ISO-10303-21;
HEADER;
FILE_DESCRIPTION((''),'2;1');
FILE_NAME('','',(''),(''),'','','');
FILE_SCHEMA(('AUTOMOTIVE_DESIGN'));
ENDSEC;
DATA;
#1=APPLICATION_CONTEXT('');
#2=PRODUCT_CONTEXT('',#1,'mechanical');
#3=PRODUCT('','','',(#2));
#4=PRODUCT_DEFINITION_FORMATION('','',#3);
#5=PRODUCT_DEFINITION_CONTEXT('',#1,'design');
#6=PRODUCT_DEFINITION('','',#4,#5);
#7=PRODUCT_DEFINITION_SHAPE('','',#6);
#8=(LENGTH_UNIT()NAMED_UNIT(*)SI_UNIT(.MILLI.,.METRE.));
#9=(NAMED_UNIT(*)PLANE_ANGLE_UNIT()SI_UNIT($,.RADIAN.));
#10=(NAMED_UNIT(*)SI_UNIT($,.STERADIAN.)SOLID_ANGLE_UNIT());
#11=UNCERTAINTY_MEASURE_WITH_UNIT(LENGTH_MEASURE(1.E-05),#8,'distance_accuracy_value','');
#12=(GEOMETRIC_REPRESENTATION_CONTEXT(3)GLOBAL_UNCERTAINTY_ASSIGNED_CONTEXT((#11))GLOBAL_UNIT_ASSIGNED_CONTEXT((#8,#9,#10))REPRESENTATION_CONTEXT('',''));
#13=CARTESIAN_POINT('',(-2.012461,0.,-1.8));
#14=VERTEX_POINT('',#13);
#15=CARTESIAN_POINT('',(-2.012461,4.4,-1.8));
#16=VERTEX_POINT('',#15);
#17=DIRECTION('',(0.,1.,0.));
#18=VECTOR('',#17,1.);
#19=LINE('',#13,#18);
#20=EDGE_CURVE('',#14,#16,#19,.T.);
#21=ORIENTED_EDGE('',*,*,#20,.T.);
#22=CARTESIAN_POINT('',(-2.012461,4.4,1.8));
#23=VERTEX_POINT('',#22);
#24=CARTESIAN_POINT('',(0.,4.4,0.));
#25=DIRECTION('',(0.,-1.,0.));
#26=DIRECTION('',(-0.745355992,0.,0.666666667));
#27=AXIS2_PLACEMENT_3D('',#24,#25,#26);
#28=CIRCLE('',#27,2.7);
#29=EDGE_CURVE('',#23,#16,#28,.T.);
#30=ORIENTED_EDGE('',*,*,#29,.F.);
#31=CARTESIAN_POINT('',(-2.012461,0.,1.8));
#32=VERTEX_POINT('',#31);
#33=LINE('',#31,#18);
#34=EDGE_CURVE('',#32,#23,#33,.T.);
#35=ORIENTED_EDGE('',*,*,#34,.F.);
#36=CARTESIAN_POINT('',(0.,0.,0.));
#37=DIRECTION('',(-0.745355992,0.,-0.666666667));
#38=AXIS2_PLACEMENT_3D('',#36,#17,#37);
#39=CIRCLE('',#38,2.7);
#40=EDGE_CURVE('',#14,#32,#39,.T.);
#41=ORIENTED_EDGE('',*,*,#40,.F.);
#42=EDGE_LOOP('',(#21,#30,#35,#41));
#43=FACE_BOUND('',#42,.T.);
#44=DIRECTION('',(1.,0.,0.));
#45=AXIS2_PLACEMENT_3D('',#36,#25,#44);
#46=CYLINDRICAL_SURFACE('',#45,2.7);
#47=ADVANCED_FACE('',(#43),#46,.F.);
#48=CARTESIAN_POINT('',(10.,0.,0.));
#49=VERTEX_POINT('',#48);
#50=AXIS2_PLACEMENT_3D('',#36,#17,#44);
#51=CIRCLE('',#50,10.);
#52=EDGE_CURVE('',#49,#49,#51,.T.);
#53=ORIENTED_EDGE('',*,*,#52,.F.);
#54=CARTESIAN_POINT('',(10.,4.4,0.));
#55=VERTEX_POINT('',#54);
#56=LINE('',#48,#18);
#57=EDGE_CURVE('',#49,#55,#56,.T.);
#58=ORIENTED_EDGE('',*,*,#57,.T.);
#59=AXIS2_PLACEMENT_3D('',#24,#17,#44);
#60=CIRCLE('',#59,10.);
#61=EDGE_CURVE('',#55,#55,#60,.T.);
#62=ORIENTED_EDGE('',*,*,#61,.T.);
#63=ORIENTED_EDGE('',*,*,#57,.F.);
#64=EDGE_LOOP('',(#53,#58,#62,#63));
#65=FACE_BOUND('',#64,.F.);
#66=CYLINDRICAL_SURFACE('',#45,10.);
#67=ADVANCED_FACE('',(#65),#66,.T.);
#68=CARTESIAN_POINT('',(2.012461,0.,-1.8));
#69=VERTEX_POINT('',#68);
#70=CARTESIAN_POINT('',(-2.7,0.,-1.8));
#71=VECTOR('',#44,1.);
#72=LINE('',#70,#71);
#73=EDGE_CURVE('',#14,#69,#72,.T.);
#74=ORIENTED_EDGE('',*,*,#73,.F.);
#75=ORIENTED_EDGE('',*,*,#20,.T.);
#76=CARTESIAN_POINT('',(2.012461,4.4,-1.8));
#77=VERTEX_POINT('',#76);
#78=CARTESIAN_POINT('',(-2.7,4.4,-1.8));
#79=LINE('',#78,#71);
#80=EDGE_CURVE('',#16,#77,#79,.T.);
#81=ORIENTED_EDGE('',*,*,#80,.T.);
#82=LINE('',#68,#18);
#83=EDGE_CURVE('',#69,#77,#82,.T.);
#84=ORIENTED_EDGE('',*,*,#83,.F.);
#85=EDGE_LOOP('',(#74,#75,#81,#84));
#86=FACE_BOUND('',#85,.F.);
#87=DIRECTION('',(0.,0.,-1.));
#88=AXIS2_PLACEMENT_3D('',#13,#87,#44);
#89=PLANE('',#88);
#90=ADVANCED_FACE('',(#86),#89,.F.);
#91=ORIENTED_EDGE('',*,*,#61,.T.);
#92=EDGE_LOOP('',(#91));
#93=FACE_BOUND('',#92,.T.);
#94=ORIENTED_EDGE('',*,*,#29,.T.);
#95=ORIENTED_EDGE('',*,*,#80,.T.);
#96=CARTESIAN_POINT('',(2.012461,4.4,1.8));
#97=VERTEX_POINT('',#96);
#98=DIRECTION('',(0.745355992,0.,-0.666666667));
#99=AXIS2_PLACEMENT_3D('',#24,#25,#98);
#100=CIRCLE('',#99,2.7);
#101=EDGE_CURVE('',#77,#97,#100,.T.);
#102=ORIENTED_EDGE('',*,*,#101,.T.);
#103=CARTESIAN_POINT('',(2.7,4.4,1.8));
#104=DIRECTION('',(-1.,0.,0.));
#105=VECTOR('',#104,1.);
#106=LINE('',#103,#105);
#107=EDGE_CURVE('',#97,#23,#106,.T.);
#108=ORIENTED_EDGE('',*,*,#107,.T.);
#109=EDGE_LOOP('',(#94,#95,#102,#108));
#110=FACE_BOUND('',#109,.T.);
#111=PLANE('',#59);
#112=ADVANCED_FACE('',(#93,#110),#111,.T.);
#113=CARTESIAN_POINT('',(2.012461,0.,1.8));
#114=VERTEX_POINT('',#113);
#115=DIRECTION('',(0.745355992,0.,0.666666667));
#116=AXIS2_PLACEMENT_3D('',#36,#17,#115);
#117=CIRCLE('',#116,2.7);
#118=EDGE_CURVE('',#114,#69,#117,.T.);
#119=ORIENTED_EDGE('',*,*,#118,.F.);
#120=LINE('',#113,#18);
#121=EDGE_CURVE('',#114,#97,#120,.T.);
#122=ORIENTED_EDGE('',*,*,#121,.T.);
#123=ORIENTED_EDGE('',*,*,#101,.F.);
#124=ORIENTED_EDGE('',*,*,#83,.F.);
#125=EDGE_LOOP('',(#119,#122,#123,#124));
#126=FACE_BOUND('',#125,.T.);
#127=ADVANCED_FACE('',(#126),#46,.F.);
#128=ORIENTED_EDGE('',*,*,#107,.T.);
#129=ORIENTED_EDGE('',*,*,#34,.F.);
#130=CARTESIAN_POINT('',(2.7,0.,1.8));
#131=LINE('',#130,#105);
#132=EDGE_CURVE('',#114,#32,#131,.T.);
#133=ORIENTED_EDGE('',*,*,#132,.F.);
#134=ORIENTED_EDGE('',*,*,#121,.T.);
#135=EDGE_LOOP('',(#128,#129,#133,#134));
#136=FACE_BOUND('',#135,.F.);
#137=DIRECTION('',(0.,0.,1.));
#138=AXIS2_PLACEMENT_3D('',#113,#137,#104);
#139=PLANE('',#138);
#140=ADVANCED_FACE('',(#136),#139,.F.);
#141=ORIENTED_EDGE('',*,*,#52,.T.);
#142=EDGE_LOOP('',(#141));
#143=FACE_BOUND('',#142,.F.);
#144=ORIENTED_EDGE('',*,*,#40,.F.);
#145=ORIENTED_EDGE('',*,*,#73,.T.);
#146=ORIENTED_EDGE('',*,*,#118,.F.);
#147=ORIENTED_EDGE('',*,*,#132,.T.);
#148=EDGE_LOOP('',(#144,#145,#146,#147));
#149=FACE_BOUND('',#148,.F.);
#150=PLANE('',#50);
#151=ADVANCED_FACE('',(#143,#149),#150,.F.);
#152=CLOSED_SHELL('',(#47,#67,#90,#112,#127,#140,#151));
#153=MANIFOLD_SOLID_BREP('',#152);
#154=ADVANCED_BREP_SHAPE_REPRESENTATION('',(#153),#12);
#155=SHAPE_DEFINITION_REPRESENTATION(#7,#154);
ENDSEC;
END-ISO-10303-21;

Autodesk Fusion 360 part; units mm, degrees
sketch "Sketch1" plane through (0, 0, 0) normal (0, 1, 0) x (1, 0, 0)
  circle A0 centre (0, 0) radius 10
  circle A1 centre (0, 0) radius 2.7
  line L0 (2.7, -1.8) -> (-2.7, -1.8)
  line L1 (-2.7, -1.8) -> (-2.7, 1.8)
  line L2 (-2.7, 1.8) -> (2.7, 1.8)
  line L3 (2.7, 1.8) -> (2.7, -1.8)
  line L4 (2.7, -1.8) -> (-2.7, 1.8) construction
  line L5 (-2.7, -1.8) -> (2.7, 1.8) construction
  dimension "d1" = 20
  dimension "d2" = 5.4
  dimension "d3" = 5.4
  dimension "d4" = 3.6
extrude "Extrude1" add sketch "Sketch1" along normal blind 4.4 contours A0 | A1 L0 L3 | A1 L2 L3 | A1 L2 | A1 L0 | A1 L1 L2 | A1 L0 L1
sketch "Sketch4" plane through (0, 0, 0) normal (0, 1, 0) x (1, 0, 0)
  arc A0 (2.0125, -1.8) -> (2.0125, 1.8) centre (0, 0) ccw
  line L0 (2.0125, 1.8) -> (-2.0125, 1.8)
  arc A1 (-2.0125, 1.8) -> (-2.0125, -1.8) centre (0, 0) ccw
  line L1 (-2.0125, -1.8) -> (2.0125, -1.8)
  circle A2 centre (0, 0) radius 10
